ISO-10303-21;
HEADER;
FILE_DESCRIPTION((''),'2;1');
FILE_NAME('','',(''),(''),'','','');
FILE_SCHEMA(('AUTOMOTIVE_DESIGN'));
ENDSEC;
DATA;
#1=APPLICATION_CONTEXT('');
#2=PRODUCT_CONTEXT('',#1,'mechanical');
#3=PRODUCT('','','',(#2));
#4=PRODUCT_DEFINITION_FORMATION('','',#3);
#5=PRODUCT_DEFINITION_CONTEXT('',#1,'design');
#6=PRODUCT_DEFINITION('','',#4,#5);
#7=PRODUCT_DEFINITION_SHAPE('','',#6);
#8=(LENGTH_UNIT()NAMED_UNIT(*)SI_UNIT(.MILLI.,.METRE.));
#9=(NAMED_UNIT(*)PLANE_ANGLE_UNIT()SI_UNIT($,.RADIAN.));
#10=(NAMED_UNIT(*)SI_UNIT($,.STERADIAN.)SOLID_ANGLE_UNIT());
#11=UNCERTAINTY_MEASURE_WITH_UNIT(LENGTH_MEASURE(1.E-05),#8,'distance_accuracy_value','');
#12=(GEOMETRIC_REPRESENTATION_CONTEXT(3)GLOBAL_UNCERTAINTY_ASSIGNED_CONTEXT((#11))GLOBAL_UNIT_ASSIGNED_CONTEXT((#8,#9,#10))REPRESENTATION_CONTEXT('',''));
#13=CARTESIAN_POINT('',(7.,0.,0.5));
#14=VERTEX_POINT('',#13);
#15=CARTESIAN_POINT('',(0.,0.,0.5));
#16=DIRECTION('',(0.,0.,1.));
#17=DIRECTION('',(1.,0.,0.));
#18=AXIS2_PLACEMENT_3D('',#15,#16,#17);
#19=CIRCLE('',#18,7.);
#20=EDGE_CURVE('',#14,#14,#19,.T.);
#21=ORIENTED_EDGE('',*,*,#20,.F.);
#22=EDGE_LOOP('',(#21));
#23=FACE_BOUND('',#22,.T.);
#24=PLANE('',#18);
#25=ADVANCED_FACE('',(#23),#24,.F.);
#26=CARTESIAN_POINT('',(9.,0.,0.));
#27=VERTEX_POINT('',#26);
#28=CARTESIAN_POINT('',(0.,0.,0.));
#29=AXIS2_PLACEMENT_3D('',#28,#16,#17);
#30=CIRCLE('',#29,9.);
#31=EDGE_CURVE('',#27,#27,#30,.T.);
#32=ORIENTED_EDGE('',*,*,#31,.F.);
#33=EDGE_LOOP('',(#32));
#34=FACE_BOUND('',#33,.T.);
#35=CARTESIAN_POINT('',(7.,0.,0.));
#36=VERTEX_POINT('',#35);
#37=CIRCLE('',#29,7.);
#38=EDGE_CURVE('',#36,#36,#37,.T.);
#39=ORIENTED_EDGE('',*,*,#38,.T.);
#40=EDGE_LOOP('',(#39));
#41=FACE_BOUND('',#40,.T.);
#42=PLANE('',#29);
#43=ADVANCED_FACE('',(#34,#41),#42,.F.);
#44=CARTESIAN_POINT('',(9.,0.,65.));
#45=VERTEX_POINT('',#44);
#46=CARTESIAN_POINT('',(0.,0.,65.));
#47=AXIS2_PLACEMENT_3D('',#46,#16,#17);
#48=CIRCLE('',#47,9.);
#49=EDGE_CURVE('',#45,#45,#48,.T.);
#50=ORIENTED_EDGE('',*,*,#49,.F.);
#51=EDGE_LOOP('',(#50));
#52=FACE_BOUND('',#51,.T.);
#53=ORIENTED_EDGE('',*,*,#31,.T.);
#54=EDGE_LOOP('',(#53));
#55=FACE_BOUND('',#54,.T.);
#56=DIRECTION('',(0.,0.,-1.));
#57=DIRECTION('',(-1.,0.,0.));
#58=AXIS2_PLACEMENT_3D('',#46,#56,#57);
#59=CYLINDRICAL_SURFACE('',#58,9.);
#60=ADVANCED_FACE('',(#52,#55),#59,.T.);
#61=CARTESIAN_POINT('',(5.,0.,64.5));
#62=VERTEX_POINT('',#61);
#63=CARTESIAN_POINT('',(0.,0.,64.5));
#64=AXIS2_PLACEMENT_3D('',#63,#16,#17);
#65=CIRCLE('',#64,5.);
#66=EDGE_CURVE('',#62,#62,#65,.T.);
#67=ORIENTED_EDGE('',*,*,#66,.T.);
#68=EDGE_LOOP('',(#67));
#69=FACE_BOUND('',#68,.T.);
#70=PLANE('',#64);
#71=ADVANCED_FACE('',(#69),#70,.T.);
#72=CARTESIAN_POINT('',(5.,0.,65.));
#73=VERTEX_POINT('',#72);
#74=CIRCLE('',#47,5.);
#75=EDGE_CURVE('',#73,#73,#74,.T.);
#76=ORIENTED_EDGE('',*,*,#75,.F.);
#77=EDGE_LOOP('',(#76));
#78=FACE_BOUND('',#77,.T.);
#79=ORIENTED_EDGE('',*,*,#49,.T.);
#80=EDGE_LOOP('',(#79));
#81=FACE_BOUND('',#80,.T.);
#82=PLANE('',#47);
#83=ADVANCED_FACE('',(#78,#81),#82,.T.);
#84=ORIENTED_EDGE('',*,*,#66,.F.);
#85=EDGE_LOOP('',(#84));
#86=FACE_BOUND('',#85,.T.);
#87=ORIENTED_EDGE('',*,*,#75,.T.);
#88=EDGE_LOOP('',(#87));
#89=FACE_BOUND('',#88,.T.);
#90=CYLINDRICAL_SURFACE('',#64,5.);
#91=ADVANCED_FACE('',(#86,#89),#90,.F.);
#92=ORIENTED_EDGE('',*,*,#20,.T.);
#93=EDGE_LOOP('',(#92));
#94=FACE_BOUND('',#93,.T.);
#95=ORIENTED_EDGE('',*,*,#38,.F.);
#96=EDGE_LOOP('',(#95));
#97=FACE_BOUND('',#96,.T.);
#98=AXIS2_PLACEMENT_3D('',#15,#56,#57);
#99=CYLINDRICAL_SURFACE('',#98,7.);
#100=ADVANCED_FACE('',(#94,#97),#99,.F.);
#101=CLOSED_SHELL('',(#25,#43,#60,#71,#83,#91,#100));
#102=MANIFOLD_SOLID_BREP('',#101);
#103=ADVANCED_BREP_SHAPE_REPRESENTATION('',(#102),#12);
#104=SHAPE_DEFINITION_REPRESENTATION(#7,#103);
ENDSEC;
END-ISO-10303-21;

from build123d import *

# Parameters (mm, degrees)
SKETCH1_R           = 9
BOSS_EXTRUDE1_DEPTH = 65
SKETCH2_R           = 7
CUT_EXTRUDE1_DEPTH  = 0.5
SKETCH3_R           = 5
CUT_EXTRUDE3_DEPTH  = 0.5


with BuildPart() as part:
    # Sketch1 → Boss-Extrude1 (new body)
    with BuildSketch(Plane.XY):
        Circle(SKETCH1_R)
    extrude(amount=BOSS_EXTRUDE1_DEPTH)

    # Sketch2 → Cut-Extrude1 (cut)
    with BuildSketch(Plane.XY):
        Circle(SKETCH2_R)
    extrude(amount=CUT_EXTRUDE1_DEPTH, mode=Mode.SUBTRACT)

    # Sketch3 → Cut-Extrude3 (cut)
    with BuildSketch(Plane.XY.offset(65)):
        Circle(SKETCH3_R)
    extrude(amount=-CUT_EXTRUDE3_DEPTH, mode=Mode.SUBTRACT)


solid = part.part
